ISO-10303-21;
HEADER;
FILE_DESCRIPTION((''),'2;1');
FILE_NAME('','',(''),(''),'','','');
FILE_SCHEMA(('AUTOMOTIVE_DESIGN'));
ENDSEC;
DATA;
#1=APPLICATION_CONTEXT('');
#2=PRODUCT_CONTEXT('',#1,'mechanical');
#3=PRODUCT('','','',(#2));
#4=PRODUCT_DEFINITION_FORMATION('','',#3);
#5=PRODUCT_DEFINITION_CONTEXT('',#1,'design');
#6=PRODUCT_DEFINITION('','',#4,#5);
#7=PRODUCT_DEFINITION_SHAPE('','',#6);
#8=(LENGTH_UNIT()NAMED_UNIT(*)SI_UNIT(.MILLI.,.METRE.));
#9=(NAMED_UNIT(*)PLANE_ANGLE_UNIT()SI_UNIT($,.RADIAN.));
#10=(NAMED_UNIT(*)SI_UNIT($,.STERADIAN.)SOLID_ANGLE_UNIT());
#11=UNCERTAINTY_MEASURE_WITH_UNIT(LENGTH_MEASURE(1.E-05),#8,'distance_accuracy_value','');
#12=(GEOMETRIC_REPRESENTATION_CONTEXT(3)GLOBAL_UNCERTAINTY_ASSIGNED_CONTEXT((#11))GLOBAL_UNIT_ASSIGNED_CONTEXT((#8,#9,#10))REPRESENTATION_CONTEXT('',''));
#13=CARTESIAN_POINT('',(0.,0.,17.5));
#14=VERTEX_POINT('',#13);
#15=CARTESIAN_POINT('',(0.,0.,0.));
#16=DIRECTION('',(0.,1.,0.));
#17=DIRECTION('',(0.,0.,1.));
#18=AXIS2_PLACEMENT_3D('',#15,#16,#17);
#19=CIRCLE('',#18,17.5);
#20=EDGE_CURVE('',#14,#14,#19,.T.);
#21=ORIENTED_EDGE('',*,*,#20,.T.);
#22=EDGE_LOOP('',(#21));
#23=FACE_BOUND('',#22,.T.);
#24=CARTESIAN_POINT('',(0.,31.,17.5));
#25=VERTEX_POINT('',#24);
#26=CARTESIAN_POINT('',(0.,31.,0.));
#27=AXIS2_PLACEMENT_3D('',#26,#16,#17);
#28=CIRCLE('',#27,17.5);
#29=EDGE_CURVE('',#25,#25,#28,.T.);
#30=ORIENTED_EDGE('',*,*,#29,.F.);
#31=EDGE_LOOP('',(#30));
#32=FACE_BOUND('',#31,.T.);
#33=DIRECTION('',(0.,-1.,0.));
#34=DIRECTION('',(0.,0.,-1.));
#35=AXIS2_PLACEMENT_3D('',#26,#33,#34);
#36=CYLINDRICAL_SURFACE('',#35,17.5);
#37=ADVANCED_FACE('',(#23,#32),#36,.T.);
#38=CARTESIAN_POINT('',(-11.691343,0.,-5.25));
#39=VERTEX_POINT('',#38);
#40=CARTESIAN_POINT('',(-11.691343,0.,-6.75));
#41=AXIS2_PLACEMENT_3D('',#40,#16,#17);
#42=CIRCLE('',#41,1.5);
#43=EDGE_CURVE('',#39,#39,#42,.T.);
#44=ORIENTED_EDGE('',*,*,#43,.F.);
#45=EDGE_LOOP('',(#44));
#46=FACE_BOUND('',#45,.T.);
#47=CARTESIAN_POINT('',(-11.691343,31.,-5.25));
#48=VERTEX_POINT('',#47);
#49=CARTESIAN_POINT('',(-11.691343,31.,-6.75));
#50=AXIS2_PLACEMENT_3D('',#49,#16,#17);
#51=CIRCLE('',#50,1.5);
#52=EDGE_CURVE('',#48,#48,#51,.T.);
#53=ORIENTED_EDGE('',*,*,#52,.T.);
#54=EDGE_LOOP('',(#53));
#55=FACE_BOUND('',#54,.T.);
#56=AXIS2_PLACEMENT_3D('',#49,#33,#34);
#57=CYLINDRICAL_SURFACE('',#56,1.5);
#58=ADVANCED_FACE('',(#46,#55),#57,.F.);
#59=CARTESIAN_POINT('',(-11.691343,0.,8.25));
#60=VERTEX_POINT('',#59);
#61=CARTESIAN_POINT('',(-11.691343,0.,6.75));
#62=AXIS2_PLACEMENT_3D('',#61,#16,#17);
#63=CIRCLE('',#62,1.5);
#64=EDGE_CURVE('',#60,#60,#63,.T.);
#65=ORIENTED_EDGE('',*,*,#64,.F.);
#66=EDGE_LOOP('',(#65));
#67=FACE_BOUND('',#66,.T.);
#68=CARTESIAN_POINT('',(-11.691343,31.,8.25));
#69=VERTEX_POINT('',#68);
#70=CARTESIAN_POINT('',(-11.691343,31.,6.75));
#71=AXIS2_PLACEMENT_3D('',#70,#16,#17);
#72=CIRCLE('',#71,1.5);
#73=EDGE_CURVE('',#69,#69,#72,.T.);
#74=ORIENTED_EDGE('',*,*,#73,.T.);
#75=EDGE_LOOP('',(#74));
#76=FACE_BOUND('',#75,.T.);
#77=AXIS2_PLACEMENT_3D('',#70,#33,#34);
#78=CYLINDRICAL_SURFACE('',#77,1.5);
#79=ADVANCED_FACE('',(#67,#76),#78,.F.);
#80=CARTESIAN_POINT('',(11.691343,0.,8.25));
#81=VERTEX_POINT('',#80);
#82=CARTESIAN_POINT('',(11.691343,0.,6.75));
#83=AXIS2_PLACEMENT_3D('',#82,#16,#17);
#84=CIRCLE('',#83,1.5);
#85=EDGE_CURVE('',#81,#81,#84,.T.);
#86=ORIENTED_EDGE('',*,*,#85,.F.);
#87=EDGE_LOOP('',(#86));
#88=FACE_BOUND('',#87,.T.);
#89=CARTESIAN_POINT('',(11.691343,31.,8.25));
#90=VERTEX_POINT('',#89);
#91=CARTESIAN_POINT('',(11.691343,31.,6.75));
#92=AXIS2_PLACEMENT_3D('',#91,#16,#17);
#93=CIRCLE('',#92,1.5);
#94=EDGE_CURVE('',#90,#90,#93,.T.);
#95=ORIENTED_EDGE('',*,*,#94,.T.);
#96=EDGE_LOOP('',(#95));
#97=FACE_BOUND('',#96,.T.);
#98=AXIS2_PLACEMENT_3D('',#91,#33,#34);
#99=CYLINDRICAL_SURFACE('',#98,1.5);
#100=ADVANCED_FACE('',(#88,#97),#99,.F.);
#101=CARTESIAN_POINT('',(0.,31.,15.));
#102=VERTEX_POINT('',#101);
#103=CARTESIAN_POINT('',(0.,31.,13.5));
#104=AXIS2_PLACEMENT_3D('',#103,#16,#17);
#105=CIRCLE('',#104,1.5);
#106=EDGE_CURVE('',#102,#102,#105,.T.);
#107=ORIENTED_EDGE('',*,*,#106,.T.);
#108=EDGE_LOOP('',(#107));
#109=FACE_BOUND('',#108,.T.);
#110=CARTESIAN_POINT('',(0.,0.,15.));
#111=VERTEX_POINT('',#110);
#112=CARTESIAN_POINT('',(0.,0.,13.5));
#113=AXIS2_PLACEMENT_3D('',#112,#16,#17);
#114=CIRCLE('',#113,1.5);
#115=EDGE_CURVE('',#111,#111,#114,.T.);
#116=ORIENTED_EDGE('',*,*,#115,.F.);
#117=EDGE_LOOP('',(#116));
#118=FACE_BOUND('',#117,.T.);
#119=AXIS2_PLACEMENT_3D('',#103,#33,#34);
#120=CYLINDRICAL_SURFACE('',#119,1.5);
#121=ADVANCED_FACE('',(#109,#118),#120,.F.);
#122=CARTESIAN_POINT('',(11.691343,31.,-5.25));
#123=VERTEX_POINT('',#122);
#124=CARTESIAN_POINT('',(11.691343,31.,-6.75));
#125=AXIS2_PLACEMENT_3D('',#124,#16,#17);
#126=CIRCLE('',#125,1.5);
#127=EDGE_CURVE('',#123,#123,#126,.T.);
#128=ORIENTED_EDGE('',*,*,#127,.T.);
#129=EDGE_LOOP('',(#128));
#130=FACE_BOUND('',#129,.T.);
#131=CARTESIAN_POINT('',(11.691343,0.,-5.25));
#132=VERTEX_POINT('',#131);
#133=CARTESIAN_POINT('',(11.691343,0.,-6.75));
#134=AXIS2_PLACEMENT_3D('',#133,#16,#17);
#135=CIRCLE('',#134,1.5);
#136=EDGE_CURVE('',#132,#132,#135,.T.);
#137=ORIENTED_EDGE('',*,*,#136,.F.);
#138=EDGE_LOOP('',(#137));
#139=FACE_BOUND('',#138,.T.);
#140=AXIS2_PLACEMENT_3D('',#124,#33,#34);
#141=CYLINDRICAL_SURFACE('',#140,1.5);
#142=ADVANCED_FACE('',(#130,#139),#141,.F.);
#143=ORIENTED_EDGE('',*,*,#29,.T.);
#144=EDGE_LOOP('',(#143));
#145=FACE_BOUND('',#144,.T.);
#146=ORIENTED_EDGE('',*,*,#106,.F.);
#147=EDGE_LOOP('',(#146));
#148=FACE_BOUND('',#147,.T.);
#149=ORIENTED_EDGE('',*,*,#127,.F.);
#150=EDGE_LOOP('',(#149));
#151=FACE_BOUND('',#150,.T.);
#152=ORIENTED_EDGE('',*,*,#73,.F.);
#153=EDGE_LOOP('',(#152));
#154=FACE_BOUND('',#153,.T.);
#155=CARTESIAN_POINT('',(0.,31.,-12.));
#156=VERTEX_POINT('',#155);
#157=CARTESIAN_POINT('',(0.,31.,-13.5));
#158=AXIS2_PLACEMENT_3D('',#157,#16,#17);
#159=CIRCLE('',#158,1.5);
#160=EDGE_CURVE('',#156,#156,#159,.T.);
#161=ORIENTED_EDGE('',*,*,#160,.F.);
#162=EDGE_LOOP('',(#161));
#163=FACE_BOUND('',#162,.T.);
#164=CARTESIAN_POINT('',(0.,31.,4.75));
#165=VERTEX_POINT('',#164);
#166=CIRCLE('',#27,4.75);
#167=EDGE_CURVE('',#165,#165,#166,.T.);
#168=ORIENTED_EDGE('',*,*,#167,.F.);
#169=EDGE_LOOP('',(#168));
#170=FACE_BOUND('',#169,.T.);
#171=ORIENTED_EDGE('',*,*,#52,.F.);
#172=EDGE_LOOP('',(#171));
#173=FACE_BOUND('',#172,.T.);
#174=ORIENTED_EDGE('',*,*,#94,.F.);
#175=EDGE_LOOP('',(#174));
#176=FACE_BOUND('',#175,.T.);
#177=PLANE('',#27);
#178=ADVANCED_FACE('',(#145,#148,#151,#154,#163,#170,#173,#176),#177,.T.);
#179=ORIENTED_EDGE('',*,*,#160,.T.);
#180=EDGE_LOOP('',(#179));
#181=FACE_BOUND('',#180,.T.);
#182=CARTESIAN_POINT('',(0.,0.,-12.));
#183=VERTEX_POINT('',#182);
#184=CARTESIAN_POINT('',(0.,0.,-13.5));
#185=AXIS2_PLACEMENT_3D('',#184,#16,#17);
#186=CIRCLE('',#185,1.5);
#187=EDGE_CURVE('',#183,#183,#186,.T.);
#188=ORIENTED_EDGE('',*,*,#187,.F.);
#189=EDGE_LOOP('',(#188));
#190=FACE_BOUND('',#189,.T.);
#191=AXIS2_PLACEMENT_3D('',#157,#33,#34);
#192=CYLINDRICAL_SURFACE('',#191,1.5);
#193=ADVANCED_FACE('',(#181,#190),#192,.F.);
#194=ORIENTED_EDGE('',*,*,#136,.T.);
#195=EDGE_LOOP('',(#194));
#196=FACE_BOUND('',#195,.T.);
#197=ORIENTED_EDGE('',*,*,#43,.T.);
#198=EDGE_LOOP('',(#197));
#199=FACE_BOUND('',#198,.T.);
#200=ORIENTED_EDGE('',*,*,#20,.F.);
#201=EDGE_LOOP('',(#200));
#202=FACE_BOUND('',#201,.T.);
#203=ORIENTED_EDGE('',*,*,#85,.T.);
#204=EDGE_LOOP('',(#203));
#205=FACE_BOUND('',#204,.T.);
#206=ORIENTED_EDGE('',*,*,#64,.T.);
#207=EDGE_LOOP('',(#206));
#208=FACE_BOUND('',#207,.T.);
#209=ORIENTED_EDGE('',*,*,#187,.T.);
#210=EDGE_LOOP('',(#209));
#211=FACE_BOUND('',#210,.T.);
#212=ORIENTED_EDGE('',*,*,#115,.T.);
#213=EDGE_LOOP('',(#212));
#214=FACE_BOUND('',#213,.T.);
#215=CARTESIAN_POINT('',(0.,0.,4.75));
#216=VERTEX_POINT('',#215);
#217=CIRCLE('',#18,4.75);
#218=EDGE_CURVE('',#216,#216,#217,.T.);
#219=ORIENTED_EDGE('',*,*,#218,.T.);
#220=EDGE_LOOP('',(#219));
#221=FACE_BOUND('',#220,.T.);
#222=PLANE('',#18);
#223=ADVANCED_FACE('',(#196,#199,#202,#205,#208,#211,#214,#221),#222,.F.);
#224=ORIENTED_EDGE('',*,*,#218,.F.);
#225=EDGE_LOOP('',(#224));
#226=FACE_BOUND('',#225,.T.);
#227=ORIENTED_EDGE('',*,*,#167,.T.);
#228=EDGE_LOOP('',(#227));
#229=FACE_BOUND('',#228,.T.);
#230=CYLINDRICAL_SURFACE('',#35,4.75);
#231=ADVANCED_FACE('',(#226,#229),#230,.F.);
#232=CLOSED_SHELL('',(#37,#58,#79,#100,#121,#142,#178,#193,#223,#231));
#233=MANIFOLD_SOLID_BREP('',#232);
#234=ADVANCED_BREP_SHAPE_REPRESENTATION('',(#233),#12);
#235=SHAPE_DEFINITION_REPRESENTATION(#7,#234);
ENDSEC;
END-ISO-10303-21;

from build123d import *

# Parameters (mm, degrees)
SKETCH_1_R      = 17.5
SKETCH_1_R_2    = 1.5
SKETCH_1_R_3    = 4.75
EXTRUDE_1_DEPTH = 31


with BuildPart() as part:
    # 草图1 → 凸台-拉伸1 (new body)
    with BuildSketch(Plane(origin=(0, 0, 0), x_dir=(1, 0, 0), z_dir=(0, 1, 0))):
        Circle(SKETCH_1_R)
        with Locations((11.691342951, 6.75)):
            Circle(SKETCH_1_R_2, mode=Mode.SUBTRACT)
        Circle(SKETCH_1_R_3, mode=Mode.SUBTRACT)
        with Locations((0, 13.5)):
            Circle(SKETCH_1_R_2, mode=Mode.SUBTRACT)
        with Locations((11.691342951, -6.75)):
            Circle(SKETCH_1_R_2, mode=Mode.SUBTRACT)
        with Locations((0, -13.5)):
            Circle(SKETCH_1_R_2, mode=Mode.SUBTRACT)
        with Locations((-11.691342951, -6.75)):
            Circle(SKETCH_1_R_2, mode=Mode.SUBTRACT)
        with Locations((-11.691342951, 6.75)):
            Circle(SKETCH_1_R_2, mode=Mode.SUBTRACT)
    extrude(amount=EXTRUDE_1_DEPTH)


solid = part.part
